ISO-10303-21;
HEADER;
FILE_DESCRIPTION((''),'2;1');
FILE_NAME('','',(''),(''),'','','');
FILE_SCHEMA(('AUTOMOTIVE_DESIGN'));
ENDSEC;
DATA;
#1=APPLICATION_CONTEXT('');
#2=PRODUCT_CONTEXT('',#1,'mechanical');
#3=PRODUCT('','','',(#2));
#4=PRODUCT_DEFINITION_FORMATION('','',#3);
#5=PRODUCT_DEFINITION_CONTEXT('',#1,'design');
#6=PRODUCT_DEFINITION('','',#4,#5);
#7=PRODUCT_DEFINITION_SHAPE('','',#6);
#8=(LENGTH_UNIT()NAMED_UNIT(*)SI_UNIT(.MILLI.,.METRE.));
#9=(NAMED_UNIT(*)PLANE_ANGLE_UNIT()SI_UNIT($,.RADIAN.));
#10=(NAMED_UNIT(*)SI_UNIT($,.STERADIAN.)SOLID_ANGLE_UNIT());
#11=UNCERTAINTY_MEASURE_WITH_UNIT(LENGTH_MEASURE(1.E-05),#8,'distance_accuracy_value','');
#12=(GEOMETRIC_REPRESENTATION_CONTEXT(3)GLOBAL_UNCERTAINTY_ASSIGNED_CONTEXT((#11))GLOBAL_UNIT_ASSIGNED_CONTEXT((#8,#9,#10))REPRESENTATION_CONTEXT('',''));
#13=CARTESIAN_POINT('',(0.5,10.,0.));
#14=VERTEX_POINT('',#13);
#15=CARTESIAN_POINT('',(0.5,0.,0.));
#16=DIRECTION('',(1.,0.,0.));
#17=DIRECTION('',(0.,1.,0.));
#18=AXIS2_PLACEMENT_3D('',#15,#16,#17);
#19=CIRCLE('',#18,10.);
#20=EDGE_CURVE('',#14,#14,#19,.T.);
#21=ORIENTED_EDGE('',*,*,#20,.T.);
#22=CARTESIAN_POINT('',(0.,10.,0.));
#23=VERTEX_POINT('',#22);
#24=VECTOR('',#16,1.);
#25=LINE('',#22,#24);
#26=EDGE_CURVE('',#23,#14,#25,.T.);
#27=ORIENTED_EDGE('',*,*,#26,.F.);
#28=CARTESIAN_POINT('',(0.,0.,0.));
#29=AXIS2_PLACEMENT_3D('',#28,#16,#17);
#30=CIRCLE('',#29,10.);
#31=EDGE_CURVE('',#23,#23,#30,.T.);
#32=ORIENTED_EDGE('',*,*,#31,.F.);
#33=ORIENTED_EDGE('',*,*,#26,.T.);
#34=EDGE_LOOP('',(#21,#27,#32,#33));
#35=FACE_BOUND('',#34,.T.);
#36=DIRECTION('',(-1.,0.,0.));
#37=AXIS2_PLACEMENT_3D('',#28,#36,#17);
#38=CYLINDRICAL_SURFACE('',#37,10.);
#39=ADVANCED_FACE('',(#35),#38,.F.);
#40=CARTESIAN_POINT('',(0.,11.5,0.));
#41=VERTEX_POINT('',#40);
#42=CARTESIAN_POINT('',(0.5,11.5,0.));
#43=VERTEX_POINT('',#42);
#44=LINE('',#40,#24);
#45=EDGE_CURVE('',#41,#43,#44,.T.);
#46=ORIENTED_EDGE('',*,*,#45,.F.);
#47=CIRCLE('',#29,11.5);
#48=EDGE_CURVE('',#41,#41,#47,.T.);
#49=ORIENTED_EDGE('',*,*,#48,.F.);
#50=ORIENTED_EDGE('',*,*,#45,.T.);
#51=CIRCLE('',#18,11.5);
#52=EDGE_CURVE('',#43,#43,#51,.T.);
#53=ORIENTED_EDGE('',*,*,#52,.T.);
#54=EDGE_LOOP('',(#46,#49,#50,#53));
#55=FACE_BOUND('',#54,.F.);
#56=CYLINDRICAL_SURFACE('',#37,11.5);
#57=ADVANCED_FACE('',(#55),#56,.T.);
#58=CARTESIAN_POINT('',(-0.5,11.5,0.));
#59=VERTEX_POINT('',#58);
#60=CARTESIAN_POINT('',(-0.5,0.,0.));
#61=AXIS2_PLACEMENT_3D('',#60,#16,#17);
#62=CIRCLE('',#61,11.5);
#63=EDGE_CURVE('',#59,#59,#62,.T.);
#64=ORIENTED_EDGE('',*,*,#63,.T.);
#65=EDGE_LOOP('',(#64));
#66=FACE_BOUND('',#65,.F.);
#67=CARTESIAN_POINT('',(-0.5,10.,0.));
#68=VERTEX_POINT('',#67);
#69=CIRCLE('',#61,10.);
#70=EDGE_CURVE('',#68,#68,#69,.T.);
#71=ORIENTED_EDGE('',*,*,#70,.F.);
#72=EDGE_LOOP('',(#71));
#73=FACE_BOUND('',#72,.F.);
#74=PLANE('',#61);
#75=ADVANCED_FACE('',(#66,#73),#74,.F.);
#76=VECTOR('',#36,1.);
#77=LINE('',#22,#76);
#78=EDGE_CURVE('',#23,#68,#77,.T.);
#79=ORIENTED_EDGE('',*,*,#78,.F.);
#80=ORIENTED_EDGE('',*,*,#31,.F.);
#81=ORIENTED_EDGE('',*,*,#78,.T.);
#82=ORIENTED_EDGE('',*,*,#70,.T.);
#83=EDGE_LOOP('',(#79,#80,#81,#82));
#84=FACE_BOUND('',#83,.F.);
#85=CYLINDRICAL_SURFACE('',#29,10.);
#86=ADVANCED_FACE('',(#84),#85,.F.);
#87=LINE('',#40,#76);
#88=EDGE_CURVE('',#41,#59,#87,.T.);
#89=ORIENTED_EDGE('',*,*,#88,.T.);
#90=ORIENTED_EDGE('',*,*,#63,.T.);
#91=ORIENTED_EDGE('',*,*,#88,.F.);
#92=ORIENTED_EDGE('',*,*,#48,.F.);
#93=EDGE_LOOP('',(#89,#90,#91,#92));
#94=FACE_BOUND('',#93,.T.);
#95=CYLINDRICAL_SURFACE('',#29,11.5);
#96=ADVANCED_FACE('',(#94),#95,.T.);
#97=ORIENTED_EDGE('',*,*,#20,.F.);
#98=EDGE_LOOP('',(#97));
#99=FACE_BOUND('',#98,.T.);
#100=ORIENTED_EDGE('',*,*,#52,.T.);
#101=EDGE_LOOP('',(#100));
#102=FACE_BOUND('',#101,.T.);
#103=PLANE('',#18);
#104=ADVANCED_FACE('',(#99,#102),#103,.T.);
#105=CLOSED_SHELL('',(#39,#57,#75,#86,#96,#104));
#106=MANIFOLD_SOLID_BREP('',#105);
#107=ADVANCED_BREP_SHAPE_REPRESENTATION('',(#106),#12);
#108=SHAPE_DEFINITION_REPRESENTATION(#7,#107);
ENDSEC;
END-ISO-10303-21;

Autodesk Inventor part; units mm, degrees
ref_plane "YZ Plane" through (0, 0, 0) normal (1, 0, 0) x (0, 1, 0)
ref_plane "XZ Plane" through (0, 0, 0) normal (0, 1, 0) x (-1, 0, 0)
ref_plane "XY Plane" through (0, 0, 0) normal (0, 0, 1) x (1, 0, 0)
sketch "스케치1" plane through (0, 0, 0) normal (1, 0, 0) x (0, 1, 0)
  circle A0 centre (0, 0) radius 11.5
  circle A1 centre (0, 0) radius 10
  dimension "d0" = 23
  dimension "d1" = 20
extrude "돌출1" add sketch "스케치1" along normal mid plane 1
equation "\"joint4_belt_centor\" = 157.367"
equation "\"joint4_axis2_L\" = 58.803"
equation "\"joint4_axis2_b1\" = 35"
equation "\"joint4_axis2_d\" = 19"
equation "\"joint4_miter_m\" = 2"
equation "\"joint4_miter_a\" = 20deg"
equation "\"joint4_miter_z\" = 79"
equation "\"joint4_miter_b\" = 6.90139"
equation "\"joint4_axis3_L\" = 23.5"
equation "\"joint3_belt_centor\" = 157.367"
equation "\"joint3_axis2_L\" = 63.75"
equation "\"joint3_axis2_b1\" = 38"
equation "\"joint3_axis2_d\" = 29"
equation "\"joint3_planetary_m\" = 2"
equation "\"joint3_planetary_a\" = 20deg"
equation "\"joint3_planetary_np\" = 4"
equation "\"joint3_sun_b\" = 19"
equation "\"joint3_planet_b\" = 19"
equation "\"joint3_ring_b\" = 18"
equation "\"joint3_axis3_d\" = 29"
equation "\"joint3_miter_m\" = 4"
equation "\"joint3_miter_a\" = 20deg"
equation "\"joint3_miter_z\" = 28"
equation "\"joint3_miter_b\" = 25.07657"
equation "\"joint3_axis4_L\" = 43.706"
equation "\"joint3_miter_z2\" = 39"
equation "\"joint3_miter_z1\" = 26"
properties part number "joint4_axis2_washer" material "PLA filament"
